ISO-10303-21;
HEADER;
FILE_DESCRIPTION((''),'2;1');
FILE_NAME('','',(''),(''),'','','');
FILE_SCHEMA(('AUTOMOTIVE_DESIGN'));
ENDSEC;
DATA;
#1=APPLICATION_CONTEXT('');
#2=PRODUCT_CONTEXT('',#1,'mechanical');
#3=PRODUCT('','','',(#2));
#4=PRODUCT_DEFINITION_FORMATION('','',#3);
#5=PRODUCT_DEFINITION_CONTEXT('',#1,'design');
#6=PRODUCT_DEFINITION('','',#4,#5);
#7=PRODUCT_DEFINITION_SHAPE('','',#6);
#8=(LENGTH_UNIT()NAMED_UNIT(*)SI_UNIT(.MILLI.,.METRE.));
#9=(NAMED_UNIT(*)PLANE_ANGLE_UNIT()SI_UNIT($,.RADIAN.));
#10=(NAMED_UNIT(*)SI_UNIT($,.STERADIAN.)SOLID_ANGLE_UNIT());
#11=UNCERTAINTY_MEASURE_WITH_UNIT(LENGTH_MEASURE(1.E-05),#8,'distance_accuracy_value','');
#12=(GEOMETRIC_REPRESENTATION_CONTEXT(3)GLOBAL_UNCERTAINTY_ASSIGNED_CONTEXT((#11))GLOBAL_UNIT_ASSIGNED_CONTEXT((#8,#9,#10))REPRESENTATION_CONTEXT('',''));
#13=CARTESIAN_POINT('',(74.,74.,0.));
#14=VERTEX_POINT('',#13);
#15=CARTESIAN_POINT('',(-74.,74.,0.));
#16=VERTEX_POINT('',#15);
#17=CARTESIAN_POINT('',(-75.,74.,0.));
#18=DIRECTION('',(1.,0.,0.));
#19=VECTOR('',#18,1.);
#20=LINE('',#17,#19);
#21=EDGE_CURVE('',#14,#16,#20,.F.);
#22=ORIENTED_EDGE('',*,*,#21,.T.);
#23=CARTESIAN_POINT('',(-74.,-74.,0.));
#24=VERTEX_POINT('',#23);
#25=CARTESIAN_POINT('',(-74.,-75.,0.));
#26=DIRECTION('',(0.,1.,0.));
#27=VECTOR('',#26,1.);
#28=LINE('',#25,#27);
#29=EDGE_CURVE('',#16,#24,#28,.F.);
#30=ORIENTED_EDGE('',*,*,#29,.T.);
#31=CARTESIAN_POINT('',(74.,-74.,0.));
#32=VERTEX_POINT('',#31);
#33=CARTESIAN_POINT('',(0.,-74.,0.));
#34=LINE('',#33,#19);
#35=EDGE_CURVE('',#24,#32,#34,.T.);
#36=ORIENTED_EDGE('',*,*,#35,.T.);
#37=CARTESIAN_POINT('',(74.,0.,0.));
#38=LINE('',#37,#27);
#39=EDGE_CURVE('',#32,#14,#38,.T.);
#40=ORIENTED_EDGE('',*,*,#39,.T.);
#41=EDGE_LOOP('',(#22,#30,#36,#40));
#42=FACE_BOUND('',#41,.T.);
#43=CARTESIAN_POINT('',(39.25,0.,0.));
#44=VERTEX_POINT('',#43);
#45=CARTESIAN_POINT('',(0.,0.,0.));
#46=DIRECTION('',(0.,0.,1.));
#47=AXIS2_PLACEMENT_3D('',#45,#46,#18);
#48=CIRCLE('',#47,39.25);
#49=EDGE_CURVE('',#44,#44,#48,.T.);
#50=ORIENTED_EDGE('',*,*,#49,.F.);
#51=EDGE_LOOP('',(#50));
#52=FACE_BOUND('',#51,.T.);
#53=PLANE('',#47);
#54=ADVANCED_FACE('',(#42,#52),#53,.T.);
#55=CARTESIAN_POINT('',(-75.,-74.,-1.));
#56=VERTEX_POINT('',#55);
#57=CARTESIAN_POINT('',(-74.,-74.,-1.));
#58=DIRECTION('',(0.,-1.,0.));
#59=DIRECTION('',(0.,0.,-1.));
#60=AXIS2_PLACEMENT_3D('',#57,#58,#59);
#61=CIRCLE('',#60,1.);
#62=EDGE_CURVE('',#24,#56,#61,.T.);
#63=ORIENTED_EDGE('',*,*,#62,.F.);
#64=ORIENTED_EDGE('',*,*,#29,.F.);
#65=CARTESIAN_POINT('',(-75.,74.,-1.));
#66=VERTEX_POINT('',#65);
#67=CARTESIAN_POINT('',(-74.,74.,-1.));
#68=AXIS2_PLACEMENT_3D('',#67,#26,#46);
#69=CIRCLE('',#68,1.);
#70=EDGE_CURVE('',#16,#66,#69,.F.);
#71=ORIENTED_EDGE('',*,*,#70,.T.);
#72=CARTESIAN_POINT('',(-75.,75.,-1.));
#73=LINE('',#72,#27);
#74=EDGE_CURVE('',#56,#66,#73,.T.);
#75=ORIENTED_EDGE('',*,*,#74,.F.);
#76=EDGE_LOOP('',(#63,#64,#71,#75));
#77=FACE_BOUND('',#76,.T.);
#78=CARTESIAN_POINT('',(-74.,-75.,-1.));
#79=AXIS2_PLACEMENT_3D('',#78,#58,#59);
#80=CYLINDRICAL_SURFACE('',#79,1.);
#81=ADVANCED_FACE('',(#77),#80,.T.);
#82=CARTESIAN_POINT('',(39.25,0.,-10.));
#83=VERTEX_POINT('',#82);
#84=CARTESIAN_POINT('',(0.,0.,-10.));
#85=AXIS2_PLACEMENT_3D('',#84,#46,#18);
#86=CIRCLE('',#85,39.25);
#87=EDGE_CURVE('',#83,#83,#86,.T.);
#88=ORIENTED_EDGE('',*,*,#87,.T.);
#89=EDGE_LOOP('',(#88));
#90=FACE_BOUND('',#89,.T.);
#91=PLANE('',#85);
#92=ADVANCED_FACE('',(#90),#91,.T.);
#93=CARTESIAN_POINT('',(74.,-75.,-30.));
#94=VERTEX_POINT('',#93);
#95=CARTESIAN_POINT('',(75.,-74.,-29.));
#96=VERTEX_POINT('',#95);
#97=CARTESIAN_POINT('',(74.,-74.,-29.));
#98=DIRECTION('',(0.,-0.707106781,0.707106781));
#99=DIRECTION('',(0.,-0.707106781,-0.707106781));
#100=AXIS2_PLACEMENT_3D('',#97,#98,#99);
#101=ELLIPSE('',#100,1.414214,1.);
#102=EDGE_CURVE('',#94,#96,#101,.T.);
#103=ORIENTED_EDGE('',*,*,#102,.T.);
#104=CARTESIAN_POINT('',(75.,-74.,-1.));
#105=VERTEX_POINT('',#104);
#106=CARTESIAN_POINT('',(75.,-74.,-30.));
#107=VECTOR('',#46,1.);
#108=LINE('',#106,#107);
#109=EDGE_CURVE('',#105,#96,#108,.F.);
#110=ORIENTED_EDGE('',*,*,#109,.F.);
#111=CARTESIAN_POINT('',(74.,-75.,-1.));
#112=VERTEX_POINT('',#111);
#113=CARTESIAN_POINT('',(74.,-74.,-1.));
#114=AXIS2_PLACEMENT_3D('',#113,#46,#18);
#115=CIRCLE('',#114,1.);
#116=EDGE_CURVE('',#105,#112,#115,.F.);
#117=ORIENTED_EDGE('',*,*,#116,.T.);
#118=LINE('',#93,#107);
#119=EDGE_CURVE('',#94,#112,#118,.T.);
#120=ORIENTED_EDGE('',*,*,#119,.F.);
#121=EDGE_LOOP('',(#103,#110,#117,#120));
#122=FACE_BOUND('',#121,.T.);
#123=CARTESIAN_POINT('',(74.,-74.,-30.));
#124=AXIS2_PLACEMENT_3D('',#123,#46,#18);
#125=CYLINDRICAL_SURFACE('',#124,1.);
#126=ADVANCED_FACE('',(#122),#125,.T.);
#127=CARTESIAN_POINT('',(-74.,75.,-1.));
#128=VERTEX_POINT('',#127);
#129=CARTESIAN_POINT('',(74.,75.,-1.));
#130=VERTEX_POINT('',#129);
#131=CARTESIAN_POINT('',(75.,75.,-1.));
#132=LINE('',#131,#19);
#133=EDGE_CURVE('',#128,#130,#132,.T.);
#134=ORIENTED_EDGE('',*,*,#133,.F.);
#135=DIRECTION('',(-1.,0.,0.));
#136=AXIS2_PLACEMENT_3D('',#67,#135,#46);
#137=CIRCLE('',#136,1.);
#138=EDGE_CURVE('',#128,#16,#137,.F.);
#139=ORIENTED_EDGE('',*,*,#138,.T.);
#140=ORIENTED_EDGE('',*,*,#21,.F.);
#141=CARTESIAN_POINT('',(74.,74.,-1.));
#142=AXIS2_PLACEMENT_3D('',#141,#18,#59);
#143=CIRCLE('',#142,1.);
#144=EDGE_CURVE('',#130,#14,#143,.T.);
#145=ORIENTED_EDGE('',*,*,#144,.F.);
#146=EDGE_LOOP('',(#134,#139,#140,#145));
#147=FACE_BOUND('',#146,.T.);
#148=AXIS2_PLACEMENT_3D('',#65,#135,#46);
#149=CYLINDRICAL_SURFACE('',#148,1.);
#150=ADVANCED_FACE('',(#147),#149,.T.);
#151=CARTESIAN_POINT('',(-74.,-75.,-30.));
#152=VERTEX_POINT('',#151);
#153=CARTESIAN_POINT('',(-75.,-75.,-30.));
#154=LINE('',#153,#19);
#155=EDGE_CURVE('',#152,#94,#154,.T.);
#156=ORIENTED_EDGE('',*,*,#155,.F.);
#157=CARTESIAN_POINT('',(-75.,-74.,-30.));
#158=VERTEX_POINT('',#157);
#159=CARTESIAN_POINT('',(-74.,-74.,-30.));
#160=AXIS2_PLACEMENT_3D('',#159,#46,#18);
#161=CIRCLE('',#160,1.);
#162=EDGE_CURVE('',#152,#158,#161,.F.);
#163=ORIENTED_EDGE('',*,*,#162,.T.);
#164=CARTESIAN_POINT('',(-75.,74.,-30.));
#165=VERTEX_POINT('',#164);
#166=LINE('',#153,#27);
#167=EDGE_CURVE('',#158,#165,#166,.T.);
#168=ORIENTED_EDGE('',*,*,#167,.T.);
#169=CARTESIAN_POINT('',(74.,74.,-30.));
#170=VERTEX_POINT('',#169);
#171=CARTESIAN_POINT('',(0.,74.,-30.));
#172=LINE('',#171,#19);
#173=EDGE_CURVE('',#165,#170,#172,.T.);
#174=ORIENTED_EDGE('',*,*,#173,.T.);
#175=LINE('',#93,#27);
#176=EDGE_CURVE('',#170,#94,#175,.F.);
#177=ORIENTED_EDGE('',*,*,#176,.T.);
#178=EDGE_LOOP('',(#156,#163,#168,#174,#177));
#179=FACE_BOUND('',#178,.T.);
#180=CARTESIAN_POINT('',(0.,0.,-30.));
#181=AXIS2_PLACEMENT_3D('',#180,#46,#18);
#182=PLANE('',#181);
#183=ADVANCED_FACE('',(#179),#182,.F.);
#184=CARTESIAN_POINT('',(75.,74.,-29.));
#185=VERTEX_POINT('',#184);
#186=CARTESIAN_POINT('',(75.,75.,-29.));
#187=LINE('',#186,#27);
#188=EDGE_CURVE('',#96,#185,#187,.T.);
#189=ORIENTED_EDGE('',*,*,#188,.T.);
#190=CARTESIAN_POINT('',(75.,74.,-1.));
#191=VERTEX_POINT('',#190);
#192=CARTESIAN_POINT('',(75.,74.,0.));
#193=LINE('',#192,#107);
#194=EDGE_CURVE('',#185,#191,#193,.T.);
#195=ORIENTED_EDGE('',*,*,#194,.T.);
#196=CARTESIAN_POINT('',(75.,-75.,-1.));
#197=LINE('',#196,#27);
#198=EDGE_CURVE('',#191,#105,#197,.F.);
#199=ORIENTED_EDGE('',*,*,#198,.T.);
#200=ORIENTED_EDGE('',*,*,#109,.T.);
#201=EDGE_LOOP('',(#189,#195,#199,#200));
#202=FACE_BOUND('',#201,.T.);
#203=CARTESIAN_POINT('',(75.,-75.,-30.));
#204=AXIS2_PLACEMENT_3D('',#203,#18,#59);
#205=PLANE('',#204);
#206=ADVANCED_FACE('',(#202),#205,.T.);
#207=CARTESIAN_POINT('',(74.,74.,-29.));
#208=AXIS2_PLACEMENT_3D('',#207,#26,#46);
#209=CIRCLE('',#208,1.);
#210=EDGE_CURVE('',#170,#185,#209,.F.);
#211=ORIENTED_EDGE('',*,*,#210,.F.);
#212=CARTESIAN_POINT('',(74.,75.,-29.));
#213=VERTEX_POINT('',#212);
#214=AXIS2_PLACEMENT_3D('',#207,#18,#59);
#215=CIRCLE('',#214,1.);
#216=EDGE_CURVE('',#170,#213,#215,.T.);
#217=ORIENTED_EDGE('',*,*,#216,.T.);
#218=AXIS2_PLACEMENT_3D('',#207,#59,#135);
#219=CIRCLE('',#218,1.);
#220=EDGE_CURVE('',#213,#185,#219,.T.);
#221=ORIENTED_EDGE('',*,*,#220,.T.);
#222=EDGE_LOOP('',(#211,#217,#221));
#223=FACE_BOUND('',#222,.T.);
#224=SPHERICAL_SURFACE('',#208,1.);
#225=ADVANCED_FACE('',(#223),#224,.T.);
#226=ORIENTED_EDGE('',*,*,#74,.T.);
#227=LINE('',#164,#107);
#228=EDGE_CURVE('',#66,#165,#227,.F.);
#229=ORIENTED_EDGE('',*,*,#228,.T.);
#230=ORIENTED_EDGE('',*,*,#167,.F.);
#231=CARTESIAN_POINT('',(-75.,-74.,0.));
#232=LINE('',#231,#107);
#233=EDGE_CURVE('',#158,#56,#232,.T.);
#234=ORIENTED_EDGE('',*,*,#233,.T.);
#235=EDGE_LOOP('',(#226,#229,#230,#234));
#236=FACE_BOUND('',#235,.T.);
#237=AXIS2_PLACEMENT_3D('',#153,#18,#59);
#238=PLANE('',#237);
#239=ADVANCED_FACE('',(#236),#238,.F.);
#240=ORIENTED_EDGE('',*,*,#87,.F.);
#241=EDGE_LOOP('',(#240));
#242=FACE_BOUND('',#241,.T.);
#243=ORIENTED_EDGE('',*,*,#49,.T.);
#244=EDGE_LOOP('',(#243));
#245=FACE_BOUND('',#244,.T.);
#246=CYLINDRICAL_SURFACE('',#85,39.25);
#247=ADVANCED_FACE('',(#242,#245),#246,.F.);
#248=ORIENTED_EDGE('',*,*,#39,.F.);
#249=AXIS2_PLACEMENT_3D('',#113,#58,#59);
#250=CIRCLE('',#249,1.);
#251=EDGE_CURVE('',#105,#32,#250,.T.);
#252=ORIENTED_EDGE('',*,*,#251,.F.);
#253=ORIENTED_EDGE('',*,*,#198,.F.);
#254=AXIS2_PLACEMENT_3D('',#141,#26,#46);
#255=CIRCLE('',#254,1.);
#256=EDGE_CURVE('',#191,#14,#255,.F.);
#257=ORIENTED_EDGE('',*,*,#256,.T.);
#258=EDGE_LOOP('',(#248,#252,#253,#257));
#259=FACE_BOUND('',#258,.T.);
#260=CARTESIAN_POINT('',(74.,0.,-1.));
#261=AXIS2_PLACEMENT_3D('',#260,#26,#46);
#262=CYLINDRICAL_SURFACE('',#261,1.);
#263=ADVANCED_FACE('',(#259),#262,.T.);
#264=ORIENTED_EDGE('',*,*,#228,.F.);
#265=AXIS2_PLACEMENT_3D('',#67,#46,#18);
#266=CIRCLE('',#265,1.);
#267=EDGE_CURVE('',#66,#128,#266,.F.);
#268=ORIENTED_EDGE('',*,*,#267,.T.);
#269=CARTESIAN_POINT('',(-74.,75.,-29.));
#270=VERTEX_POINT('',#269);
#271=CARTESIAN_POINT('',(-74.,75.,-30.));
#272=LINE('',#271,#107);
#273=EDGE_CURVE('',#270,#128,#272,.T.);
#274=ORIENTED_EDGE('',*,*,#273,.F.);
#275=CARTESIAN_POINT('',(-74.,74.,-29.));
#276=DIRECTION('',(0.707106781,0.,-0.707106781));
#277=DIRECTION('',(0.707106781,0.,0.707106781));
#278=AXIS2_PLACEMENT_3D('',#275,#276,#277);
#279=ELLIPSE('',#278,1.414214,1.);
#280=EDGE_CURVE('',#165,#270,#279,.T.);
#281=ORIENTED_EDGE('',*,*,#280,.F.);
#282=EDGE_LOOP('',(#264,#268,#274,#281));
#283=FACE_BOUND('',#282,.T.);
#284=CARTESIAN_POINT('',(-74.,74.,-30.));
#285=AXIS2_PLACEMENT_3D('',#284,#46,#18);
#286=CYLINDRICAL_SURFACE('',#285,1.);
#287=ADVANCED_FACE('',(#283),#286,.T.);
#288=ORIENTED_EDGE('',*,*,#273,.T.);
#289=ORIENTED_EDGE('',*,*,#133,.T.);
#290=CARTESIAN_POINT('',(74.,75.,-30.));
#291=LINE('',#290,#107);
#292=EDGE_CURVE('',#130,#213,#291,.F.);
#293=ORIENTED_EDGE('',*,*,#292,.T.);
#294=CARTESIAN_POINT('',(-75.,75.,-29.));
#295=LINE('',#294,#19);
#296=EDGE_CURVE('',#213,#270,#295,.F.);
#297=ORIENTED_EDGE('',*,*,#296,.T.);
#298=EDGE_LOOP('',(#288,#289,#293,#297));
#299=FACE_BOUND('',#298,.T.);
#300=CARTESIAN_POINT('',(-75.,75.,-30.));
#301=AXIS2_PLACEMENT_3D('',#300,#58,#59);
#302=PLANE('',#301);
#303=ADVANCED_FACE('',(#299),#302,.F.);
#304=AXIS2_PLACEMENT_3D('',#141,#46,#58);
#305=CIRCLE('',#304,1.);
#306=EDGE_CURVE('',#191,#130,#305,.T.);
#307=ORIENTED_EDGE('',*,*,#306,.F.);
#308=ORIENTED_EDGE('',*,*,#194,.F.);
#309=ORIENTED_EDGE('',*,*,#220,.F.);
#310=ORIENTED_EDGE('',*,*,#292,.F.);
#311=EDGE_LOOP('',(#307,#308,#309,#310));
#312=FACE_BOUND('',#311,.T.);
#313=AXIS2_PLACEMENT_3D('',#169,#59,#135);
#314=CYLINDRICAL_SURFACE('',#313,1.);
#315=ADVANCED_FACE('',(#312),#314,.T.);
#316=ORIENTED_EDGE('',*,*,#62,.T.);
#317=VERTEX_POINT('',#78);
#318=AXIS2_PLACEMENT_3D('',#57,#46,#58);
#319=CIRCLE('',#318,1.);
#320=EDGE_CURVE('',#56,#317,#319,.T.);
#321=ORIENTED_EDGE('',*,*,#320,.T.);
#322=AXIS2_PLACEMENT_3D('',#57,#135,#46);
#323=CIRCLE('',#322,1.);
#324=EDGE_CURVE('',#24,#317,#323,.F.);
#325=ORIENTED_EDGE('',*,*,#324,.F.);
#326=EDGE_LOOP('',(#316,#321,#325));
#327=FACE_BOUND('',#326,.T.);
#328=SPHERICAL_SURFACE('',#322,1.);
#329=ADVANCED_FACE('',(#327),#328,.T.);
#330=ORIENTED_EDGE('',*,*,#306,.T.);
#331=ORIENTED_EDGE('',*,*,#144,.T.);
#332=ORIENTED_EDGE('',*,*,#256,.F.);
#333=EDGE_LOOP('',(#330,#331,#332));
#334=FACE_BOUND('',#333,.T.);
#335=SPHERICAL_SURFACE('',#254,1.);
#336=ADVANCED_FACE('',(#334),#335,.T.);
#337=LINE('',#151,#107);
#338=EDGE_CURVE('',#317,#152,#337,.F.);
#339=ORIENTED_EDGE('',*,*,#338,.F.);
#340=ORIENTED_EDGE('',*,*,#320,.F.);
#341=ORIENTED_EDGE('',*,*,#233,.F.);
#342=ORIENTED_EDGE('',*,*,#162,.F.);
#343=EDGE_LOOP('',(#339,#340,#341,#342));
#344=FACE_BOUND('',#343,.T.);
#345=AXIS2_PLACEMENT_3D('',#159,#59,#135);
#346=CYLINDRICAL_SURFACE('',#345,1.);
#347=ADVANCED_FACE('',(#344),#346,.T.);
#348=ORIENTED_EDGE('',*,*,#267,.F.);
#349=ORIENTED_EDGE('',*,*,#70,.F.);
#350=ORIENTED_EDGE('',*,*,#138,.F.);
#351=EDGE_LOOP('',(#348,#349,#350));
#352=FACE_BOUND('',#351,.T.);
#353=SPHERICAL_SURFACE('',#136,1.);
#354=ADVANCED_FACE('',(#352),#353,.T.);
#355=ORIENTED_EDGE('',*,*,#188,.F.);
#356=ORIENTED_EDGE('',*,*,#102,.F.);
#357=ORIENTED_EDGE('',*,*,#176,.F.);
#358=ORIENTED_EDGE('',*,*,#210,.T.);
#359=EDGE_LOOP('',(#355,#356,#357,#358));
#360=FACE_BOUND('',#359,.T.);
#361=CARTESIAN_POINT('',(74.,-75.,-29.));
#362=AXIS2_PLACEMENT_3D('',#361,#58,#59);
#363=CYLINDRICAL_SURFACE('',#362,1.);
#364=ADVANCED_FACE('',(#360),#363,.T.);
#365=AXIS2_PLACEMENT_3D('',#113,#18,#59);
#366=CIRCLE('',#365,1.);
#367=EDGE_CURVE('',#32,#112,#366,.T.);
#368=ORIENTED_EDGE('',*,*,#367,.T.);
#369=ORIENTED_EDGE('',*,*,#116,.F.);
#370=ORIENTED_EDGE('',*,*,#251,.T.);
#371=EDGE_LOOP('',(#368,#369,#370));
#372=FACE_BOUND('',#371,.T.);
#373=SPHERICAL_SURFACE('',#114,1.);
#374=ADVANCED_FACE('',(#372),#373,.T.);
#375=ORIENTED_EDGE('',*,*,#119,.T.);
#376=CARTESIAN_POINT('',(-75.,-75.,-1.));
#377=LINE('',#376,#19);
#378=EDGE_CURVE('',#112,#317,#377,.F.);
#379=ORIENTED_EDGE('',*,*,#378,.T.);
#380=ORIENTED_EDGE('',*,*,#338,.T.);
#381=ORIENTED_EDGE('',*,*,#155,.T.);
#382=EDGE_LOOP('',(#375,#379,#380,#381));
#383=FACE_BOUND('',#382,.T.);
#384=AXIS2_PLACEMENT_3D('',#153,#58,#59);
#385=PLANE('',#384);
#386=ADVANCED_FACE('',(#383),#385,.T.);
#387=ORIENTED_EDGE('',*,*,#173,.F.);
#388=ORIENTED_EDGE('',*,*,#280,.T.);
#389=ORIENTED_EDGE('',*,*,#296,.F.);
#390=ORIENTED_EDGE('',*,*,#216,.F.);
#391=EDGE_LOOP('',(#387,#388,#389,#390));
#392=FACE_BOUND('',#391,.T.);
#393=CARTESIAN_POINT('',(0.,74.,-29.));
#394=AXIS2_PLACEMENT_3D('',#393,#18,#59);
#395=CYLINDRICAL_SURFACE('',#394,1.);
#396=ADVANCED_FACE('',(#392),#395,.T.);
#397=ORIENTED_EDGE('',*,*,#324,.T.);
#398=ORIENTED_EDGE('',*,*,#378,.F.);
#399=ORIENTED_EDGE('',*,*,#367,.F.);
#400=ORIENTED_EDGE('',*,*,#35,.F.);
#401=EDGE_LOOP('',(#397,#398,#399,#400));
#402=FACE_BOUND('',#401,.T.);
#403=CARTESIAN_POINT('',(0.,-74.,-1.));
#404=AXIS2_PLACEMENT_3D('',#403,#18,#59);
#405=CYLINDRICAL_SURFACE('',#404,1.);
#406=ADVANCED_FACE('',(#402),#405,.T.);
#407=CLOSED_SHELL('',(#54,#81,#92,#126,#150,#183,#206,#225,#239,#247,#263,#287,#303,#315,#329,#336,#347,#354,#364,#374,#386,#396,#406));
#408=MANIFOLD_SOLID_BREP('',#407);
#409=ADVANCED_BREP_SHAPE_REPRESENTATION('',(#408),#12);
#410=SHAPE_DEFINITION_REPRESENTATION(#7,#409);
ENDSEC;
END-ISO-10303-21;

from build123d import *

# Parameters (mm, degrees)
SKETCH1_W           = 150
SKETCH1_H           = 150
BOSS_EXTRUDE1_DEPTH = 30
FILLET1_R           = 1
SKETCH2_R           = 39.25
CUT_EXTRUDE4_DEPTH  = 10


with BuildPart() as part:
    # Sketch1 → Boss-Extrude1 (new body)
    with BuildSketch(Plane.XY):
        Rectangle(SKETCH1_W, SKETCH1_H)
    extrude(amount=-BOSS_EXTRUDE1_DEPTH)

    # Fillet1
    fillet1_edges = [part.edges().sort_by_distance(p)[0] for p in [
        (0, 75, -30),
        (-75, 0, 0),
        (0, 75, 0),
        (75, 0, 0),
        (0, -75, 0),
        (-75, -75, -15),
        (-75, 75, -15),
        (75, 75, -15),
        (75, -75, -15),
        (75, 0, -30),
    ]]
    fillet(fillet1_edges, radius=FILLET1_R)

    # Sketch2 → Cut-Extrude4 (cut)
    with BuildSketch(Plane.XY):
        Circle(SKETCH2_R)
    extrude(amount=-CUT_EXTRUDE4_DEPTH, mode=Mode.SUBTRACT)


solid = part.part
